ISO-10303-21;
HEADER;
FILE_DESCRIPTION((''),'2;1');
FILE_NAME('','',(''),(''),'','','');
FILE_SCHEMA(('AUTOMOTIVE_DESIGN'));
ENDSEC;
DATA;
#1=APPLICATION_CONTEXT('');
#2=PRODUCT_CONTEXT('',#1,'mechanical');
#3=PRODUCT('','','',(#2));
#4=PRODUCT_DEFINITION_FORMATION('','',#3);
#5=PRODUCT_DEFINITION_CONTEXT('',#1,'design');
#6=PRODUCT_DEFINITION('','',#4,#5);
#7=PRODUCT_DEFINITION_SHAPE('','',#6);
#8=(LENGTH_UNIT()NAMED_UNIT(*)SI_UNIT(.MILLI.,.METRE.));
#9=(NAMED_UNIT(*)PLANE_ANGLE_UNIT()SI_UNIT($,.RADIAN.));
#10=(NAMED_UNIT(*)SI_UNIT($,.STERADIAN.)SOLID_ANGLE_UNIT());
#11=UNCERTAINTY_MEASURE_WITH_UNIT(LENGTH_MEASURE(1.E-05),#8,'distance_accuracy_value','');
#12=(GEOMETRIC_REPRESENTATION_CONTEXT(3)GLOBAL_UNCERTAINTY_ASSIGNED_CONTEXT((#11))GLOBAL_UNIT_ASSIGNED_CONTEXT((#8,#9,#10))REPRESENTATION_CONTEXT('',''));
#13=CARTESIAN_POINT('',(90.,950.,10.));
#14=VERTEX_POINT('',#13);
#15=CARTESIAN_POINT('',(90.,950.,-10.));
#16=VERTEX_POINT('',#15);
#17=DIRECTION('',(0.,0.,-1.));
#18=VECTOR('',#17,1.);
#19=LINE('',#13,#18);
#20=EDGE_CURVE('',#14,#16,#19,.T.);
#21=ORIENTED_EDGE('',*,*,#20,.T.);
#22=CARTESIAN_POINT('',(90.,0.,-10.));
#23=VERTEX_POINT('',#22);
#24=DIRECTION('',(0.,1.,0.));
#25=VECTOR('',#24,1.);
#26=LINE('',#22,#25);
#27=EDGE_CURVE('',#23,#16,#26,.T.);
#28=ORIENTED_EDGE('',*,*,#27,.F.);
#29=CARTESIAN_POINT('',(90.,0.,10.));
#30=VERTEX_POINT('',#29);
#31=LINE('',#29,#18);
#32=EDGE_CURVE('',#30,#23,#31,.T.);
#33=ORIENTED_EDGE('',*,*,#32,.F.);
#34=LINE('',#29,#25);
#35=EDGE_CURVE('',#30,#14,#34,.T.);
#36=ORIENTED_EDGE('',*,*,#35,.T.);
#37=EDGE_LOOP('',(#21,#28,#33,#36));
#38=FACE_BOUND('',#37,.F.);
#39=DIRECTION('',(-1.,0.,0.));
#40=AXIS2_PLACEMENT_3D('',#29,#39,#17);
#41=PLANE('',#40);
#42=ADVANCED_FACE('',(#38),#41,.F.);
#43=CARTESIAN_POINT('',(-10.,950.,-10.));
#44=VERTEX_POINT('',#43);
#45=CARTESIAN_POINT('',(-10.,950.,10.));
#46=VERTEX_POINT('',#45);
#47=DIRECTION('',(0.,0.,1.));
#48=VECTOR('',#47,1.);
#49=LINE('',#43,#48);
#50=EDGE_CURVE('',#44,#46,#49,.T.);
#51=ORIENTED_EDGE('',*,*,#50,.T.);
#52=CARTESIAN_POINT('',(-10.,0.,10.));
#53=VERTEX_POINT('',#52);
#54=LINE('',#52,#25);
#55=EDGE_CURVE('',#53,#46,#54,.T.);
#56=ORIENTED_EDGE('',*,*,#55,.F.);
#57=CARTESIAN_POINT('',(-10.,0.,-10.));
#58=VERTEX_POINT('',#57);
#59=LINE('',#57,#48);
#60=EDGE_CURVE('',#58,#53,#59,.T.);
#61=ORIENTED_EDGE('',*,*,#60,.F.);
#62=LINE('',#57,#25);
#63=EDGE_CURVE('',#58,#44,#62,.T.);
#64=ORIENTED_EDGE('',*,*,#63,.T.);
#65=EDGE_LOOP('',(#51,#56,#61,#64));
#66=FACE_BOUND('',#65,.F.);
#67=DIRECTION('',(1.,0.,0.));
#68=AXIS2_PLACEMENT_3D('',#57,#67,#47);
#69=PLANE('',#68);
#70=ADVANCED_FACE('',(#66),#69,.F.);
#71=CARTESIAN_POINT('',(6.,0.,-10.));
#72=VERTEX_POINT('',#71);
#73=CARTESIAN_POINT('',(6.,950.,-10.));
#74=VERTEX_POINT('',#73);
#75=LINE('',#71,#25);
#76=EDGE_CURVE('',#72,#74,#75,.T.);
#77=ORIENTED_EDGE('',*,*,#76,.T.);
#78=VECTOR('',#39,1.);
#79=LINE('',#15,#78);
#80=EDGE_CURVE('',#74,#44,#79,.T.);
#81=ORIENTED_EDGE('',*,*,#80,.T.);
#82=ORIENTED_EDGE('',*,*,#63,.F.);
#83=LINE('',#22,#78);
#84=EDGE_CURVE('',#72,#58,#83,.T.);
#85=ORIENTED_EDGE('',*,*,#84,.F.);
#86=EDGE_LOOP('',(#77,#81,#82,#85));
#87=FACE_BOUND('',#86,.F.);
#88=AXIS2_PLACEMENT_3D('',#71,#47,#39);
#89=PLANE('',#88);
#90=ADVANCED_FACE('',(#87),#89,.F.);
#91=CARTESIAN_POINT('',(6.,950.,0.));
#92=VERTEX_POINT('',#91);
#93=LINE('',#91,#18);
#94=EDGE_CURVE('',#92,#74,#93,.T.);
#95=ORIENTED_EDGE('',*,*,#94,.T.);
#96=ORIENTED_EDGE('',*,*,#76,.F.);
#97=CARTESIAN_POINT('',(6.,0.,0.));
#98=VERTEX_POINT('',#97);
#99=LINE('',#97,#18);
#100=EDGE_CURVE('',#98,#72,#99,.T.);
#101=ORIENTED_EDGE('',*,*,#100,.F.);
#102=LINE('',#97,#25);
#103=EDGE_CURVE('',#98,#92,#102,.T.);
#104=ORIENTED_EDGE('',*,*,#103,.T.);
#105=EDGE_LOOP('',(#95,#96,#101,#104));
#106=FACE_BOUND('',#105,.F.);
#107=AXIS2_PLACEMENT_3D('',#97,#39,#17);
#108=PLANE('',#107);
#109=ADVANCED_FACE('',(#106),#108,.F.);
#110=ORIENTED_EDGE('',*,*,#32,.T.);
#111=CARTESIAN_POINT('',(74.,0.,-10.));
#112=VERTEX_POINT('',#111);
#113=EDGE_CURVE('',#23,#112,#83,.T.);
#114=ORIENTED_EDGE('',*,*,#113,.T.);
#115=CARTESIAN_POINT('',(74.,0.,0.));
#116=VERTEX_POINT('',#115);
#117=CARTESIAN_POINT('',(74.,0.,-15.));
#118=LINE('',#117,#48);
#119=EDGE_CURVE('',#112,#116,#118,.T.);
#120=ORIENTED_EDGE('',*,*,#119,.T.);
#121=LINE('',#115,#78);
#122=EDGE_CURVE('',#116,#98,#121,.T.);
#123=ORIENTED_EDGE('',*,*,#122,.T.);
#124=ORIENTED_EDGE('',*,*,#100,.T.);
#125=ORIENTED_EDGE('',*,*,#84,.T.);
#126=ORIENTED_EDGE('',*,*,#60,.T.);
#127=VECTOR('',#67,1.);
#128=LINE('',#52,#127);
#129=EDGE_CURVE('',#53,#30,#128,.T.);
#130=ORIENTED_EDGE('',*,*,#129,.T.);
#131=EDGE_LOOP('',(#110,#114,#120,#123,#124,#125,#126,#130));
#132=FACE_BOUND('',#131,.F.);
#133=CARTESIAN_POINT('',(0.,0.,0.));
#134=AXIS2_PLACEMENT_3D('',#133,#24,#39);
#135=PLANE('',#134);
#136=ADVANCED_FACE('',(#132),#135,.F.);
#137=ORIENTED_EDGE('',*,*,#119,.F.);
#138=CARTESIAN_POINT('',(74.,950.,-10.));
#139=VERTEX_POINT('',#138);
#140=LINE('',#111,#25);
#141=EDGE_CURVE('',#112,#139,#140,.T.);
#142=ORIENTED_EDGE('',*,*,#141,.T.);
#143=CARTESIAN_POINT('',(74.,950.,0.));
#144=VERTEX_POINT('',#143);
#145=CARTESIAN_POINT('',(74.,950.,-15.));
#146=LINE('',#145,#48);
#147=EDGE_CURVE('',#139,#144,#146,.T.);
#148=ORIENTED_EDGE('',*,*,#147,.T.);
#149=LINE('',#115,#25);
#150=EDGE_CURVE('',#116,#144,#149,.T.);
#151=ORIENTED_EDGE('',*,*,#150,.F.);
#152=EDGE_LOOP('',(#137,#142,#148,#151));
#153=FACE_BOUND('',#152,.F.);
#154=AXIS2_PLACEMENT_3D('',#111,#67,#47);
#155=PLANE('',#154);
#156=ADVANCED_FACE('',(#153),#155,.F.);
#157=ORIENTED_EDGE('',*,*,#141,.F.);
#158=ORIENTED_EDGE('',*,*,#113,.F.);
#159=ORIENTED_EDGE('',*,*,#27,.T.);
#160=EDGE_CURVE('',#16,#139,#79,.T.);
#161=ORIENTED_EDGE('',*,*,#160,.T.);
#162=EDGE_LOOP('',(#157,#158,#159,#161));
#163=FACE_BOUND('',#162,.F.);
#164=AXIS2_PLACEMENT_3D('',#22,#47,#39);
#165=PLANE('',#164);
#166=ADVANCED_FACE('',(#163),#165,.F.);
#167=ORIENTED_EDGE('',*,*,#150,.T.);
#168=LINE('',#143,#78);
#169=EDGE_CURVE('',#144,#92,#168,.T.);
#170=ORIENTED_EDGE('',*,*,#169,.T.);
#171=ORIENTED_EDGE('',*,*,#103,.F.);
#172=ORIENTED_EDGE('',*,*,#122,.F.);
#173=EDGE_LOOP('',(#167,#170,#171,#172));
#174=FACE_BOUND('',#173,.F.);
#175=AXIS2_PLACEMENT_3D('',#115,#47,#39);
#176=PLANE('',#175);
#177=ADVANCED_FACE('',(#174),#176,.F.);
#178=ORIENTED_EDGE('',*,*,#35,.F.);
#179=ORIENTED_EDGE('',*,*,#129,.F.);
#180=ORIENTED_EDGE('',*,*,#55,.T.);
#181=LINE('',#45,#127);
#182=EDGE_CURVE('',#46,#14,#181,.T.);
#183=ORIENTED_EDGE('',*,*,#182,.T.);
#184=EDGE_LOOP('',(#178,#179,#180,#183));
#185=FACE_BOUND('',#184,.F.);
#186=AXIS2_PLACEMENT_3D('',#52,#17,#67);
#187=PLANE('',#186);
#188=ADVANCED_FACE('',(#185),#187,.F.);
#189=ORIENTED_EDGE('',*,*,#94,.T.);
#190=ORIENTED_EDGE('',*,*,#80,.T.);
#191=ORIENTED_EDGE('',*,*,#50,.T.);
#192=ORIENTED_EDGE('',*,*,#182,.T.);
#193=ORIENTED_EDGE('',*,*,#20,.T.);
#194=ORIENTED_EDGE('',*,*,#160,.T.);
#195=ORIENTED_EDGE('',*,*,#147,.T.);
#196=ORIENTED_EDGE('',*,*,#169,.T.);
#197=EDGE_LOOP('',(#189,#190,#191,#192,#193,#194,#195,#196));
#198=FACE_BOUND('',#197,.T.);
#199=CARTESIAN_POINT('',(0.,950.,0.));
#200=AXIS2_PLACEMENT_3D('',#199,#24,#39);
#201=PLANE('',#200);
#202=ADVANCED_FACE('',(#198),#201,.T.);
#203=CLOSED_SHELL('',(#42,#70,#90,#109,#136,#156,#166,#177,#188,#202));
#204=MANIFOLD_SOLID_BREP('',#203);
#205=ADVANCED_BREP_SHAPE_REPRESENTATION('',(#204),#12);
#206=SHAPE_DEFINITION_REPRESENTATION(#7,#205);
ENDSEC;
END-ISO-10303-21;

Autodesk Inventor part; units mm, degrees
ref_plane "YZ Plane" through (0, 0, 0) normal (1, 0, 0) x (0, 1, 0)
ref_plane "XZ Plane" through (0, 0, 0) normal (0, 1, 0) x (-1, 0, 0)
ref_plane "XY Plane" through (0, 0, 0) normal (0, 0, 1) x (1, 0, 0)
sketch "Sketch1" plane through (0, 0, 0) normal (0, 1, 0) x (-1, 0, 0)
  line L0 (10, 10) -> (-90, 10)
  line L1 (-90, 10) -> (-90, -10)
  line L2 (-90, -10) -> (10, -10)
  line L3 (10, -10) -> (10, 10)
  line L4 (-6, -15) -> (-74, -15)
  line L5 (-74, -15) -> (-74, 0)
  line L6 (-74, 0) -> (-6, 0)
  line L7 (-6, 0) -> (-6, -15)
  point P0 (0, 0)
  point P1 (-74, -10)
  point P2 (-6, -10)
  dimension "d0" = 20
  dimension "d1" = 100
  dimension "d4" = 10
  dimension "d5" = 16
  dimension "d6" = 16
extrude "Extrusion1" add sketch "Sketch1" along normal blind 950 contours L3 L2 L7 L6 L5 L1 L0
properties part number "L_PlNKA800" material "Aluminum 6061"
